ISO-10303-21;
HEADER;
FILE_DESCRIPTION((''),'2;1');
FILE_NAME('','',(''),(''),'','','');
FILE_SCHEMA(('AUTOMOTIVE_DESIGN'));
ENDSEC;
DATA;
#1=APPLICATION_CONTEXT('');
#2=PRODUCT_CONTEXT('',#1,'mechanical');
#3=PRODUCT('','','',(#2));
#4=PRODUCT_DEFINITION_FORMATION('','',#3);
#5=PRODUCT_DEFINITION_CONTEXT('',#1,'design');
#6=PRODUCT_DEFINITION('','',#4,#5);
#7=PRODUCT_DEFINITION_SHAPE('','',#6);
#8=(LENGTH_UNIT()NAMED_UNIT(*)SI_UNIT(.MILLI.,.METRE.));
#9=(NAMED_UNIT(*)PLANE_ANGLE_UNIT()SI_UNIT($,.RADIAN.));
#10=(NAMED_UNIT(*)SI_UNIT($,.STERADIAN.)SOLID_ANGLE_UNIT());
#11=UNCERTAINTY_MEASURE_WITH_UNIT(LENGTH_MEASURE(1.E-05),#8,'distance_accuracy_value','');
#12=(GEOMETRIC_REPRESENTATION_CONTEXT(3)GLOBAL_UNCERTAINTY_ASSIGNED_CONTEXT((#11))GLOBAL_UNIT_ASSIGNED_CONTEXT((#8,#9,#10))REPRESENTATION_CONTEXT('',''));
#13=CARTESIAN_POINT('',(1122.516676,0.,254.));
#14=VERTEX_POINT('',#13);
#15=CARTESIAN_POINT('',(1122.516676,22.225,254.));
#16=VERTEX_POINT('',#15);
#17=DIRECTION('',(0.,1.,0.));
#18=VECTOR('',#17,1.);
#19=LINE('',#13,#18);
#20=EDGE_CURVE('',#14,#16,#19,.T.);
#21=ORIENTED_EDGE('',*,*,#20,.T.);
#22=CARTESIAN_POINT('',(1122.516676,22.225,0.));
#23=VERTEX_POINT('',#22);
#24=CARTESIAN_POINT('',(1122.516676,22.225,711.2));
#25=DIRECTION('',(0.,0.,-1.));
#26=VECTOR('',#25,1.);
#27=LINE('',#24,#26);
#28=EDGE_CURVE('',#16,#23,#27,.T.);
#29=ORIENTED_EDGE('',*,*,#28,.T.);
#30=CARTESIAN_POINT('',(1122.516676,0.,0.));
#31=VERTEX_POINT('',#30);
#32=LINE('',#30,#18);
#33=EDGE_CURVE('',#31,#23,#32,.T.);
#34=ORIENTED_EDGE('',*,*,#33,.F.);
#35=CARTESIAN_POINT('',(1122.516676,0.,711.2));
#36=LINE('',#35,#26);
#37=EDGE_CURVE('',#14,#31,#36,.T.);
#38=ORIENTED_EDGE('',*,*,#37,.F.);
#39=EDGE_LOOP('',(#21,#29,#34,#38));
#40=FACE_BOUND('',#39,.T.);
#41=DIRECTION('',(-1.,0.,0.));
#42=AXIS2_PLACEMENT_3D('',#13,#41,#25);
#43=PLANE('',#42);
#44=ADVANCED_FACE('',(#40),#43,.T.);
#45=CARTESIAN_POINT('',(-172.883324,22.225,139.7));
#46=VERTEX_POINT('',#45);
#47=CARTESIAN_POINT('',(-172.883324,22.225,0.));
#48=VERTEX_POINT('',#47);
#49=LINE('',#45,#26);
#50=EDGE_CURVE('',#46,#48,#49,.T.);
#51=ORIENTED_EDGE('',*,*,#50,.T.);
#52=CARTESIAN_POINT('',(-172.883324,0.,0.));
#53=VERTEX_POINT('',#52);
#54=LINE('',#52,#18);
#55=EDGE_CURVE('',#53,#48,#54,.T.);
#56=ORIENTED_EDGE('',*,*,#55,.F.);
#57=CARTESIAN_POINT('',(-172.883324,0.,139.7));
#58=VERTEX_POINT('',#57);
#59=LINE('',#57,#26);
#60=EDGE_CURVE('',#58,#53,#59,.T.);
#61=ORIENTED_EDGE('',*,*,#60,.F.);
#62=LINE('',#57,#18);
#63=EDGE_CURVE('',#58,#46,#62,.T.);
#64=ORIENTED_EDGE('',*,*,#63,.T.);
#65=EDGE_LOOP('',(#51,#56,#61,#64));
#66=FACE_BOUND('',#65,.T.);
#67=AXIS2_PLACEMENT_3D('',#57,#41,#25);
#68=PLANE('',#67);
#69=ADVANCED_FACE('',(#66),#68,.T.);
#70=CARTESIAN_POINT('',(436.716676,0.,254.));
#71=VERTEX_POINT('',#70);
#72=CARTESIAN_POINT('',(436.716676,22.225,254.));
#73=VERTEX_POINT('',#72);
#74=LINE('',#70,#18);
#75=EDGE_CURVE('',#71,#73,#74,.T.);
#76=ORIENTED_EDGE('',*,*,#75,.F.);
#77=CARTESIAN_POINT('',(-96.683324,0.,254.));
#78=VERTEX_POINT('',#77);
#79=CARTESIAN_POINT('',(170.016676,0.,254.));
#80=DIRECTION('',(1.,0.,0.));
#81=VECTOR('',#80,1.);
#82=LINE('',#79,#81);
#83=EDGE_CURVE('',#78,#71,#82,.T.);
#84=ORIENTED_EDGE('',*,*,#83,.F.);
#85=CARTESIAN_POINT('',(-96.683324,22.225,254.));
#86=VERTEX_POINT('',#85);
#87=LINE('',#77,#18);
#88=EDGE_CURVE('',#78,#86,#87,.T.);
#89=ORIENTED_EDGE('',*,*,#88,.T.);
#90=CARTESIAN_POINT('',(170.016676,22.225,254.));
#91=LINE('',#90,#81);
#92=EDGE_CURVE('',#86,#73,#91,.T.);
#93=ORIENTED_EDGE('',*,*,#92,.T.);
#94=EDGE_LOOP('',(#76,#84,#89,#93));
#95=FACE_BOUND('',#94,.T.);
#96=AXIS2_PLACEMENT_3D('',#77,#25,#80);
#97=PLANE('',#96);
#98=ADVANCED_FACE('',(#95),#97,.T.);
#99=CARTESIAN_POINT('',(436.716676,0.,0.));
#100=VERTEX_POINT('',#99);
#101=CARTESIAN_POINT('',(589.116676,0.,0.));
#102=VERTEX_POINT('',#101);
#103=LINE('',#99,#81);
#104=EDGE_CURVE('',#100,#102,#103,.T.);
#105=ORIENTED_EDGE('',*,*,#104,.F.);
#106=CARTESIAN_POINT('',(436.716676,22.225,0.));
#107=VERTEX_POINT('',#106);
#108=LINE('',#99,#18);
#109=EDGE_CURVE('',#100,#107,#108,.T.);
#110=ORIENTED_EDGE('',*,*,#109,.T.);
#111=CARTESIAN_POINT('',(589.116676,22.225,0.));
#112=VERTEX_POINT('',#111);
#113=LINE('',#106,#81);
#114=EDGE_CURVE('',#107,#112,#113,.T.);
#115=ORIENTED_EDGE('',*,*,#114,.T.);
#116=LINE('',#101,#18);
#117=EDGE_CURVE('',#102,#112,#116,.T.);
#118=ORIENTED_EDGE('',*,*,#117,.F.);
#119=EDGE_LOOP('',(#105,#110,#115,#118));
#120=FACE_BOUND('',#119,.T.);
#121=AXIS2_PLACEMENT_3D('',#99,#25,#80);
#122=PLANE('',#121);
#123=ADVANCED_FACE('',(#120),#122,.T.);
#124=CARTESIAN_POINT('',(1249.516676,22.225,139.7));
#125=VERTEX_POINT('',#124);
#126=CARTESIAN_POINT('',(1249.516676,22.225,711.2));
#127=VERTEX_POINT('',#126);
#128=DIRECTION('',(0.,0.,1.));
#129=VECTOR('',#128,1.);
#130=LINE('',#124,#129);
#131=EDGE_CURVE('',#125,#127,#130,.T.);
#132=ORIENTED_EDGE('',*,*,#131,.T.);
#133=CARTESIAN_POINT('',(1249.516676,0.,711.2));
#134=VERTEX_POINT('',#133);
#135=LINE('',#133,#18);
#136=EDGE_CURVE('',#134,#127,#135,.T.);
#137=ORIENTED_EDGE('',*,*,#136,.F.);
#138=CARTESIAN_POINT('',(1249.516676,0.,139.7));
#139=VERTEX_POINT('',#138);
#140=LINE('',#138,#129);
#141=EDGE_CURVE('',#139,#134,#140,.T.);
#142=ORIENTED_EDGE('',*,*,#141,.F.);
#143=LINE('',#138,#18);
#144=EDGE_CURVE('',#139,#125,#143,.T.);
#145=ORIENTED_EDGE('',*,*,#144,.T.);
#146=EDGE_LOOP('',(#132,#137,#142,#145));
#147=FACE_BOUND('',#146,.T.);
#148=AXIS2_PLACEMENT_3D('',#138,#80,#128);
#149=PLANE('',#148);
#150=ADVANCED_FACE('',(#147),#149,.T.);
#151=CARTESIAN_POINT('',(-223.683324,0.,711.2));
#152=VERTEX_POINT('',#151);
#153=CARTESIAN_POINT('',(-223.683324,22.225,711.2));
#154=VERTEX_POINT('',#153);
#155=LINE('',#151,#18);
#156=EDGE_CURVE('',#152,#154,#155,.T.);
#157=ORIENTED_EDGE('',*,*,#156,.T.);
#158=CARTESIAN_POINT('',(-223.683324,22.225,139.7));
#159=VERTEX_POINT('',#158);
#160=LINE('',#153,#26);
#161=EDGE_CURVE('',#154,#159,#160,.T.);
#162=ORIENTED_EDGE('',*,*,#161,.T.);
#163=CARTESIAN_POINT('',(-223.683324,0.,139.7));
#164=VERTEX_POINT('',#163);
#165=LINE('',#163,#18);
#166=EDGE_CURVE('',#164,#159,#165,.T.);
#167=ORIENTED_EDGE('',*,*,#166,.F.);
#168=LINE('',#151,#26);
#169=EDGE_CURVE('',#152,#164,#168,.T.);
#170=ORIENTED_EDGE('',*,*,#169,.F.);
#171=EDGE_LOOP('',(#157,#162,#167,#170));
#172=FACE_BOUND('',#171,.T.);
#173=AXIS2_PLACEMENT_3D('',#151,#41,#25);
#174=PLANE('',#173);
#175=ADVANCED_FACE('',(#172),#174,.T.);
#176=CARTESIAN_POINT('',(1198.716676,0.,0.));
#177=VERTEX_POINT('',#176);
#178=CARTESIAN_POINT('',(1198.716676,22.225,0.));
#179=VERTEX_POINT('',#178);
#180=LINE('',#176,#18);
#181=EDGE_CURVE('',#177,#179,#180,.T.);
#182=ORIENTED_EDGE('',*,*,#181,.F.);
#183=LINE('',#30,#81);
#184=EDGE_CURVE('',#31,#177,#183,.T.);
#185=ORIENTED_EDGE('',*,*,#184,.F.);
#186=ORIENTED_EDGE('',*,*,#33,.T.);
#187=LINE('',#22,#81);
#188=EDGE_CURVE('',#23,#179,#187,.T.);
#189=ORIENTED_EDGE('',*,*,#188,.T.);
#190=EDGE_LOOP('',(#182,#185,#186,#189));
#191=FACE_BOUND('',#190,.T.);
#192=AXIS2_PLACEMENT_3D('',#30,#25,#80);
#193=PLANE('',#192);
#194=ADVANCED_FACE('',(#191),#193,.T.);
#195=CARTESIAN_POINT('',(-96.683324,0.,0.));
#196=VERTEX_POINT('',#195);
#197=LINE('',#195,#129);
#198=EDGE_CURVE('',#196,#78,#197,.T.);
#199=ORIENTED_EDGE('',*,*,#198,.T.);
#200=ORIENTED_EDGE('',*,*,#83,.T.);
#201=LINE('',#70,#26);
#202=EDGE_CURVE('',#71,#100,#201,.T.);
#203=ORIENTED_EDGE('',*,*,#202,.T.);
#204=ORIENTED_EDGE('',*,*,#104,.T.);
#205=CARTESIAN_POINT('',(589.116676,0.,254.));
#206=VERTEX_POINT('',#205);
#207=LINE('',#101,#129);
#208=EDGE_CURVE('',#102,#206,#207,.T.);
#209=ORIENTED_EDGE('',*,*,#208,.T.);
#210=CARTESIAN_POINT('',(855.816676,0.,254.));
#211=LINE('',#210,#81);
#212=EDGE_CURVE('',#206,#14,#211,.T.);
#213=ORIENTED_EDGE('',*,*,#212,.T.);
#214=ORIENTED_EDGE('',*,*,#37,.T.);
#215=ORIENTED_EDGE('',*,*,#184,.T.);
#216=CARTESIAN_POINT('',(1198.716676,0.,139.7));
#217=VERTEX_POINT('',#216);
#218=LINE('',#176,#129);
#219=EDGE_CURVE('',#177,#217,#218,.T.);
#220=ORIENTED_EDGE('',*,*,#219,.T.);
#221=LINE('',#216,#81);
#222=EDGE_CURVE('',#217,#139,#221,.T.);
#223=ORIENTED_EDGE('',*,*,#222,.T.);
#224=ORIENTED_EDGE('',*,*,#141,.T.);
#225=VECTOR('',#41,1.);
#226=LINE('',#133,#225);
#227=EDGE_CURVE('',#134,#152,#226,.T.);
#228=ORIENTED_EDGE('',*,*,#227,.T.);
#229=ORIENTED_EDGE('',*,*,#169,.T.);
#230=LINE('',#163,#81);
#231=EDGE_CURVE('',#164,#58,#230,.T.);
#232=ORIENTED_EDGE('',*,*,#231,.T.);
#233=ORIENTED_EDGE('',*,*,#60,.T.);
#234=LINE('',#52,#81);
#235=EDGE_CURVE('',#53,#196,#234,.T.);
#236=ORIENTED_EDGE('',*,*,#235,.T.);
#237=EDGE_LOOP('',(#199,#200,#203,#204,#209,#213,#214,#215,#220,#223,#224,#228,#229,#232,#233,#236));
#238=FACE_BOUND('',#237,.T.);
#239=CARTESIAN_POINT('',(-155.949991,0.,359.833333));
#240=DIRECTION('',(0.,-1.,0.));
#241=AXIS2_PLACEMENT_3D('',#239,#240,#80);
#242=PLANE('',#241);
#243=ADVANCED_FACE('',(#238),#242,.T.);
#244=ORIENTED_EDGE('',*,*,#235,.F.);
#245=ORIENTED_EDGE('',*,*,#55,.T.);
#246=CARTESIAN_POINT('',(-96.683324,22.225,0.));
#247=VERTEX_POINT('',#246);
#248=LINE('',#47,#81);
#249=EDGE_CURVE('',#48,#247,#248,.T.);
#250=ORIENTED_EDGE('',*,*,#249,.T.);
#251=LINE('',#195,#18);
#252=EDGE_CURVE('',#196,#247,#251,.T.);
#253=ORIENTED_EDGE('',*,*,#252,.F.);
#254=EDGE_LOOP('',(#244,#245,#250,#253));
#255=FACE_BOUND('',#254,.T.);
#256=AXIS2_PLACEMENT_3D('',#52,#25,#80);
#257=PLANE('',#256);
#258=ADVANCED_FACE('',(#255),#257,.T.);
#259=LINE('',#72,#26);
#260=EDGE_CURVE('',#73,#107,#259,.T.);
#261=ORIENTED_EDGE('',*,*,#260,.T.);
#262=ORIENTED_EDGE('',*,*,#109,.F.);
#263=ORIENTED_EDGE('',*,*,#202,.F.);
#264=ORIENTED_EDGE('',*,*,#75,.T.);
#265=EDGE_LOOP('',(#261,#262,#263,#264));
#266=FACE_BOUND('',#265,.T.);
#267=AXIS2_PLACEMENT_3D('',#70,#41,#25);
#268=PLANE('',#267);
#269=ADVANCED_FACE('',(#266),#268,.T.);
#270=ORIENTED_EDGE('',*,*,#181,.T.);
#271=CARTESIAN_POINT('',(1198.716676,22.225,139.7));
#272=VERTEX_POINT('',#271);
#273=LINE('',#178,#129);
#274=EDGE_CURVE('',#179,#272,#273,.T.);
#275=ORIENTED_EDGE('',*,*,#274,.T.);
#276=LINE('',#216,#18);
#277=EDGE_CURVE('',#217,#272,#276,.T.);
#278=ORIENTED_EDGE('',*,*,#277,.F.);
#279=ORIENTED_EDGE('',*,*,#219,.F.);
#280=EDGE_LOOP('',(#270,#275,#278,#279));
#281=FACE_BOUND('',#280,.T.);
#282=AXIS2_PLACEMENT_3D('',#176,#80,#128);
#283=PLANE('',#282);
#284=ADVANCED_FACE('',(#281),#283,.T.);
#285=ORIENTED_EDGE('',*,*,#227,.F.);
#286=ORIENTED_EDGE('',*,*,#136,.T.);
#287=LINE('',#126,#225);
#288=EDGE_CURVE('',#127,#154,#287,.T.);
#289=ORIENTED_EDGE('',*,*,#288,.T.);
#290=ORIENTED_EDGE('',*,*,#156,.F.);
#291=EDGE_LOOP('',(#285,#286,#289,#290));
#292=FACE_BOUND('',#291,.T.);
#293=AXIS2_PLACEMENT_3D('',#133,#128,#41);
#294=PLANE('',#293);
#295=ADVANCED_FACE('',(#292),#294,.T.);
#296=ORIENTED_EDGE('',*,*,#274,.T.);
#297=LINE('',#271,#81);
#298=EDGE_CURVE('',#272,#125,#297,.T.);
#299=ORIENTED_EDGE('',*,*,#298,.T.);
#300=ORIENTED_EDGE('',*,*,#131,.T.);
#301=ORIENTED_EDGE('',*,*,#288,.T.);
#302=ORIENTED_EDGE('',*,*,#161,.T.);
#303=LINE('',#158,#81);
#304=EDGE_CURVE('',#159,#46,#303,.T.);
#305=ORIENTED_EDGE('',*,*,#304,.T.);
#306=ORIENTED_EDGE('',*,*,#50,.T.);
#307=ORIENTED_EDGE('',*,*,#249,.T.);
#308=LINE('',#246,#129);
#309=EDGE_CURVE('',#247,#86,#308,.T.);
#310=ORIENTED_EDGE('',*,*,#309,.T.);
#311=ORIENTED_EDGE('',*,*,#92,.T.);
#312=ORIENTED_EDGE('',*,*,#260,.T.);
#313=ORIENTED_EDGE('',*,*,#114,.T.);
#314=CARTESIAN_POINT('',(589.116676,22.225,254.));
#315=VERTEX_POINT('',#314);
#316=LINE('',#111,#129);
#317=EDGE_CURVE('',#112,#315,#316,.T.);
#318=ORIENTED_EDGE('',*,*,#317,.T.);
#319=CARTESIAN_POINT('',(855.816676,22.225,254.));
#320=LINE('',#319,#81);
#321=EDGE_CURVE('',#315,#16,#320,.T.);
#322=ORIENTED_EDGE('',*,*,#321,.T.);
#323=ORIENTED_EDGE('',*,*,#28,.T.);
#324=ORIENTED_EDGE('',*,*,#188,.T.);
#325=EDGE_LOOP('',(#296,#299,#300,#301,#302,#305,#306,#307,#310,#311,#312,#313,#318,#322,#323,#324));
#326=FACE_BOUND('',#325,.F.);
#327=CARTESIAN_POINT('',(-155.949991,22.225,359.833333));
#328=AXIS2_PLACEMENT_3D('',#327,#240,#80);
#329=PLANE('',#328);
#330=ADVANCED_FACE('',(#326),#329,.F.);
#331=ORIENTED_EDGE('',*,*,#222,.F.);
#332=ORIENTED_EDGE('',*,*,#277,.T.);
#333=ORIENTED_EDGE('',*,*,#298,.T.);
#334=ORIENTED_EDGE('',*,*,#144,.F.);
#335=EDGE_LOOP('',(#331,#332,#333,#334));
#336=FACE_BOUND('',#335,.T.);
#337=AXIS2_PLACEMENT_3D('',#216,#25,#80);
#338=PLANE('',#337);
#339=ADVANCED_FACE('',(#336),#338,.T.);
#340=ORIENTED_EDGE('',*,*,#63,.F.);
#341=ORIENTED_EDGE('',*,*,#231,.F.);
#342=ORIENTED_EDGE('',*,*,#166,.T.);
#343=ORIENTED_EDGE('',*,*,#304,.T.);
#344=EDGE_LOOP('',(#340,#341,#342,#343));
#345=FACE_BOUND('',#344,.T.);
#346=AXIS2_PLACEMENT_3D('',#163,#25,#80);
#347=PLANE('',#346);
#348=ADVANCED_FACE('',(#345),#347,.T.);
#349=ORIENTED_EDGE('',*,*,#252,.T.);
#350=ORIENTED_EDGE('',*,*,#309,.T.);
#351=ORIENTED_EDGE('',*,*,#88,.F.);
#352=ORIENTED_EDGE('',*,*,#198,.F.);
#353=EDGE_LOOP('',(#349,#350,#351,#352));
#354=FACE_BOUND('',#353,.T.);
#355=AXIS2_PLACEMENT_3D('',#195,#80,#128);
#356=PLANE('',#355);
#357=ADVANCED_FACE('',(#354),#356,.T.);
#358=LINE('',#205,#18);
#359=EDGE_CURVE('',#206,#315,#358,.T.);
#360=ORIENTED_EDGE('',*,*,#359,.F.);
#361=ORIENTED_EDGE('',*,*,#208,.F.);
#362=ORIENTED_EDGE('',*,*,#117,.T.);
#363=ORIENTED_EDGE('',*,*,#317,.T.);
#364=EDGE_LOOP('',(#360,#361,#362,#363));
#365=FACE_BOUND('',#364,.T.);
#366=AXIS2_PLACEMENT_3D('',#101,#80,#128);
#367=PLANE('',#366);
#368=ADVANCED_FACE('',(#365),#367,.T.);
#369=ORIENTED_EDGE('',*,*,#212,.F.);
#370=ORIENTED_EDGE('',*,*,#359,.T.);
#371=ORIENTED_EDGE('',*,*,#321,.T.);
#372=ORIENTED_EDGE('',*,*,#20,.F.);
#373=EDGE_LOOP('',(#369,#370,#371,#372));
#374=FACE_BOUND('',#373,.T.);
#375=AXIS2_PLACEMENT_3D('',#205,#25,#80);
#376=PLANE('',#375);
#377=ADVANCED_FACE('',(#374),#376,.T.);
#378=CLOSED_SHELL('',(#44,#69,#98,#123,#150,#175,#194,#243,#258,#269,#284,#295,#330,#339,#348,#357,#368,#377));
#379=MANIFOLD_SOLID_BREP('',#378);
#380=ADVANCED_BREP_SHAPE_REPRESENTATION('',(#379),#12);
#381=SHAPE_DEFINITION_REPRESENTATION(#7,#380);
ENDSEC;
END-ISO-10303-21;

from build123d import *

# Parameters (mm, degrees)
F0_W     = 533.4
F0_H     = 457.2
F1_DEPTH = 22.225
F0_W_2   = 50.8
F0_H_2   = 139.7
F2_DEPTH = 22.225


with BuildPart() as f1:
    # F0 (on Front) → F1 (new body)
    with BuildSketch(Plane.XZ):
        Polygon((-96.683324, 711.2), (-223.683324, 711.2), (-223.683324, 139.7), (-172.883324, 139.7), (-172.883324, 0), (-96.683324, 0), (-96.683324, 254), align=None)
        with Locations((170.016676, 482.6)):
            Rectangle(F0_W, F0_H)
        Polygon((1249.516676, 711.2), (1122.516676, 711.2), (1122.516676, 254), (1122.516676, 0), (1198.716676, 0), (1198.716676, 139.7), (1249.516676, 139.7), align=None)
        with Locations((855.816676, 482.6)):
            Rectangle(F0_W, F0_H)
        Polygon((589.116676, 711.2), (436.716676, 711.2), (436.716676, 254), (436.716676, 0), (589.116676, 0), (589.116676, 254), align=None)
    extrude(amount=-F1_DEPTH)

    # F0 (on Front) → F2 (cut)
    with BuildSketch(Plane.XZ):
        with Locations((-198.283324, 69.85)):
            Rectangle(F0_W_2, F0_H_2)
        with Locations((1224.116676, 69.85)):
            Rectangle(F0_W_2, F0_H_2)
        Polygon((-96.683324, 711.2), (-223.683324, 711.2), (-223.683324, 139.7), (-172.883324, 139.7), (-172.883324, 0), (-96.683324, 0), (-96.683324, 254), align=None)
        with Locations((170.016676, 482.6)):
            Rectangle(F0_W, F0_H)
        Polygon((589.116676, 711.2), (436.716676, 711.2), (436.716676, 254), (436.716676, 0), (589.116676, 0), (589.116676, 254), align=None)
        with Locations((855.816676, 482.6)):
            Rectangle(F0_W, F0_H)
        Polygon((1249.516676, 711.2), (1122.516676, 711.2), (1122.516676, 254), (1122.516676, 0), (1198.716676, 0), (1198.716676, 139.7), (1249.516676, 139.7), align=None)
    extrude(amount=F2_DEPTH, mode=Mode.SUBTRACT)


solid = f1.part
